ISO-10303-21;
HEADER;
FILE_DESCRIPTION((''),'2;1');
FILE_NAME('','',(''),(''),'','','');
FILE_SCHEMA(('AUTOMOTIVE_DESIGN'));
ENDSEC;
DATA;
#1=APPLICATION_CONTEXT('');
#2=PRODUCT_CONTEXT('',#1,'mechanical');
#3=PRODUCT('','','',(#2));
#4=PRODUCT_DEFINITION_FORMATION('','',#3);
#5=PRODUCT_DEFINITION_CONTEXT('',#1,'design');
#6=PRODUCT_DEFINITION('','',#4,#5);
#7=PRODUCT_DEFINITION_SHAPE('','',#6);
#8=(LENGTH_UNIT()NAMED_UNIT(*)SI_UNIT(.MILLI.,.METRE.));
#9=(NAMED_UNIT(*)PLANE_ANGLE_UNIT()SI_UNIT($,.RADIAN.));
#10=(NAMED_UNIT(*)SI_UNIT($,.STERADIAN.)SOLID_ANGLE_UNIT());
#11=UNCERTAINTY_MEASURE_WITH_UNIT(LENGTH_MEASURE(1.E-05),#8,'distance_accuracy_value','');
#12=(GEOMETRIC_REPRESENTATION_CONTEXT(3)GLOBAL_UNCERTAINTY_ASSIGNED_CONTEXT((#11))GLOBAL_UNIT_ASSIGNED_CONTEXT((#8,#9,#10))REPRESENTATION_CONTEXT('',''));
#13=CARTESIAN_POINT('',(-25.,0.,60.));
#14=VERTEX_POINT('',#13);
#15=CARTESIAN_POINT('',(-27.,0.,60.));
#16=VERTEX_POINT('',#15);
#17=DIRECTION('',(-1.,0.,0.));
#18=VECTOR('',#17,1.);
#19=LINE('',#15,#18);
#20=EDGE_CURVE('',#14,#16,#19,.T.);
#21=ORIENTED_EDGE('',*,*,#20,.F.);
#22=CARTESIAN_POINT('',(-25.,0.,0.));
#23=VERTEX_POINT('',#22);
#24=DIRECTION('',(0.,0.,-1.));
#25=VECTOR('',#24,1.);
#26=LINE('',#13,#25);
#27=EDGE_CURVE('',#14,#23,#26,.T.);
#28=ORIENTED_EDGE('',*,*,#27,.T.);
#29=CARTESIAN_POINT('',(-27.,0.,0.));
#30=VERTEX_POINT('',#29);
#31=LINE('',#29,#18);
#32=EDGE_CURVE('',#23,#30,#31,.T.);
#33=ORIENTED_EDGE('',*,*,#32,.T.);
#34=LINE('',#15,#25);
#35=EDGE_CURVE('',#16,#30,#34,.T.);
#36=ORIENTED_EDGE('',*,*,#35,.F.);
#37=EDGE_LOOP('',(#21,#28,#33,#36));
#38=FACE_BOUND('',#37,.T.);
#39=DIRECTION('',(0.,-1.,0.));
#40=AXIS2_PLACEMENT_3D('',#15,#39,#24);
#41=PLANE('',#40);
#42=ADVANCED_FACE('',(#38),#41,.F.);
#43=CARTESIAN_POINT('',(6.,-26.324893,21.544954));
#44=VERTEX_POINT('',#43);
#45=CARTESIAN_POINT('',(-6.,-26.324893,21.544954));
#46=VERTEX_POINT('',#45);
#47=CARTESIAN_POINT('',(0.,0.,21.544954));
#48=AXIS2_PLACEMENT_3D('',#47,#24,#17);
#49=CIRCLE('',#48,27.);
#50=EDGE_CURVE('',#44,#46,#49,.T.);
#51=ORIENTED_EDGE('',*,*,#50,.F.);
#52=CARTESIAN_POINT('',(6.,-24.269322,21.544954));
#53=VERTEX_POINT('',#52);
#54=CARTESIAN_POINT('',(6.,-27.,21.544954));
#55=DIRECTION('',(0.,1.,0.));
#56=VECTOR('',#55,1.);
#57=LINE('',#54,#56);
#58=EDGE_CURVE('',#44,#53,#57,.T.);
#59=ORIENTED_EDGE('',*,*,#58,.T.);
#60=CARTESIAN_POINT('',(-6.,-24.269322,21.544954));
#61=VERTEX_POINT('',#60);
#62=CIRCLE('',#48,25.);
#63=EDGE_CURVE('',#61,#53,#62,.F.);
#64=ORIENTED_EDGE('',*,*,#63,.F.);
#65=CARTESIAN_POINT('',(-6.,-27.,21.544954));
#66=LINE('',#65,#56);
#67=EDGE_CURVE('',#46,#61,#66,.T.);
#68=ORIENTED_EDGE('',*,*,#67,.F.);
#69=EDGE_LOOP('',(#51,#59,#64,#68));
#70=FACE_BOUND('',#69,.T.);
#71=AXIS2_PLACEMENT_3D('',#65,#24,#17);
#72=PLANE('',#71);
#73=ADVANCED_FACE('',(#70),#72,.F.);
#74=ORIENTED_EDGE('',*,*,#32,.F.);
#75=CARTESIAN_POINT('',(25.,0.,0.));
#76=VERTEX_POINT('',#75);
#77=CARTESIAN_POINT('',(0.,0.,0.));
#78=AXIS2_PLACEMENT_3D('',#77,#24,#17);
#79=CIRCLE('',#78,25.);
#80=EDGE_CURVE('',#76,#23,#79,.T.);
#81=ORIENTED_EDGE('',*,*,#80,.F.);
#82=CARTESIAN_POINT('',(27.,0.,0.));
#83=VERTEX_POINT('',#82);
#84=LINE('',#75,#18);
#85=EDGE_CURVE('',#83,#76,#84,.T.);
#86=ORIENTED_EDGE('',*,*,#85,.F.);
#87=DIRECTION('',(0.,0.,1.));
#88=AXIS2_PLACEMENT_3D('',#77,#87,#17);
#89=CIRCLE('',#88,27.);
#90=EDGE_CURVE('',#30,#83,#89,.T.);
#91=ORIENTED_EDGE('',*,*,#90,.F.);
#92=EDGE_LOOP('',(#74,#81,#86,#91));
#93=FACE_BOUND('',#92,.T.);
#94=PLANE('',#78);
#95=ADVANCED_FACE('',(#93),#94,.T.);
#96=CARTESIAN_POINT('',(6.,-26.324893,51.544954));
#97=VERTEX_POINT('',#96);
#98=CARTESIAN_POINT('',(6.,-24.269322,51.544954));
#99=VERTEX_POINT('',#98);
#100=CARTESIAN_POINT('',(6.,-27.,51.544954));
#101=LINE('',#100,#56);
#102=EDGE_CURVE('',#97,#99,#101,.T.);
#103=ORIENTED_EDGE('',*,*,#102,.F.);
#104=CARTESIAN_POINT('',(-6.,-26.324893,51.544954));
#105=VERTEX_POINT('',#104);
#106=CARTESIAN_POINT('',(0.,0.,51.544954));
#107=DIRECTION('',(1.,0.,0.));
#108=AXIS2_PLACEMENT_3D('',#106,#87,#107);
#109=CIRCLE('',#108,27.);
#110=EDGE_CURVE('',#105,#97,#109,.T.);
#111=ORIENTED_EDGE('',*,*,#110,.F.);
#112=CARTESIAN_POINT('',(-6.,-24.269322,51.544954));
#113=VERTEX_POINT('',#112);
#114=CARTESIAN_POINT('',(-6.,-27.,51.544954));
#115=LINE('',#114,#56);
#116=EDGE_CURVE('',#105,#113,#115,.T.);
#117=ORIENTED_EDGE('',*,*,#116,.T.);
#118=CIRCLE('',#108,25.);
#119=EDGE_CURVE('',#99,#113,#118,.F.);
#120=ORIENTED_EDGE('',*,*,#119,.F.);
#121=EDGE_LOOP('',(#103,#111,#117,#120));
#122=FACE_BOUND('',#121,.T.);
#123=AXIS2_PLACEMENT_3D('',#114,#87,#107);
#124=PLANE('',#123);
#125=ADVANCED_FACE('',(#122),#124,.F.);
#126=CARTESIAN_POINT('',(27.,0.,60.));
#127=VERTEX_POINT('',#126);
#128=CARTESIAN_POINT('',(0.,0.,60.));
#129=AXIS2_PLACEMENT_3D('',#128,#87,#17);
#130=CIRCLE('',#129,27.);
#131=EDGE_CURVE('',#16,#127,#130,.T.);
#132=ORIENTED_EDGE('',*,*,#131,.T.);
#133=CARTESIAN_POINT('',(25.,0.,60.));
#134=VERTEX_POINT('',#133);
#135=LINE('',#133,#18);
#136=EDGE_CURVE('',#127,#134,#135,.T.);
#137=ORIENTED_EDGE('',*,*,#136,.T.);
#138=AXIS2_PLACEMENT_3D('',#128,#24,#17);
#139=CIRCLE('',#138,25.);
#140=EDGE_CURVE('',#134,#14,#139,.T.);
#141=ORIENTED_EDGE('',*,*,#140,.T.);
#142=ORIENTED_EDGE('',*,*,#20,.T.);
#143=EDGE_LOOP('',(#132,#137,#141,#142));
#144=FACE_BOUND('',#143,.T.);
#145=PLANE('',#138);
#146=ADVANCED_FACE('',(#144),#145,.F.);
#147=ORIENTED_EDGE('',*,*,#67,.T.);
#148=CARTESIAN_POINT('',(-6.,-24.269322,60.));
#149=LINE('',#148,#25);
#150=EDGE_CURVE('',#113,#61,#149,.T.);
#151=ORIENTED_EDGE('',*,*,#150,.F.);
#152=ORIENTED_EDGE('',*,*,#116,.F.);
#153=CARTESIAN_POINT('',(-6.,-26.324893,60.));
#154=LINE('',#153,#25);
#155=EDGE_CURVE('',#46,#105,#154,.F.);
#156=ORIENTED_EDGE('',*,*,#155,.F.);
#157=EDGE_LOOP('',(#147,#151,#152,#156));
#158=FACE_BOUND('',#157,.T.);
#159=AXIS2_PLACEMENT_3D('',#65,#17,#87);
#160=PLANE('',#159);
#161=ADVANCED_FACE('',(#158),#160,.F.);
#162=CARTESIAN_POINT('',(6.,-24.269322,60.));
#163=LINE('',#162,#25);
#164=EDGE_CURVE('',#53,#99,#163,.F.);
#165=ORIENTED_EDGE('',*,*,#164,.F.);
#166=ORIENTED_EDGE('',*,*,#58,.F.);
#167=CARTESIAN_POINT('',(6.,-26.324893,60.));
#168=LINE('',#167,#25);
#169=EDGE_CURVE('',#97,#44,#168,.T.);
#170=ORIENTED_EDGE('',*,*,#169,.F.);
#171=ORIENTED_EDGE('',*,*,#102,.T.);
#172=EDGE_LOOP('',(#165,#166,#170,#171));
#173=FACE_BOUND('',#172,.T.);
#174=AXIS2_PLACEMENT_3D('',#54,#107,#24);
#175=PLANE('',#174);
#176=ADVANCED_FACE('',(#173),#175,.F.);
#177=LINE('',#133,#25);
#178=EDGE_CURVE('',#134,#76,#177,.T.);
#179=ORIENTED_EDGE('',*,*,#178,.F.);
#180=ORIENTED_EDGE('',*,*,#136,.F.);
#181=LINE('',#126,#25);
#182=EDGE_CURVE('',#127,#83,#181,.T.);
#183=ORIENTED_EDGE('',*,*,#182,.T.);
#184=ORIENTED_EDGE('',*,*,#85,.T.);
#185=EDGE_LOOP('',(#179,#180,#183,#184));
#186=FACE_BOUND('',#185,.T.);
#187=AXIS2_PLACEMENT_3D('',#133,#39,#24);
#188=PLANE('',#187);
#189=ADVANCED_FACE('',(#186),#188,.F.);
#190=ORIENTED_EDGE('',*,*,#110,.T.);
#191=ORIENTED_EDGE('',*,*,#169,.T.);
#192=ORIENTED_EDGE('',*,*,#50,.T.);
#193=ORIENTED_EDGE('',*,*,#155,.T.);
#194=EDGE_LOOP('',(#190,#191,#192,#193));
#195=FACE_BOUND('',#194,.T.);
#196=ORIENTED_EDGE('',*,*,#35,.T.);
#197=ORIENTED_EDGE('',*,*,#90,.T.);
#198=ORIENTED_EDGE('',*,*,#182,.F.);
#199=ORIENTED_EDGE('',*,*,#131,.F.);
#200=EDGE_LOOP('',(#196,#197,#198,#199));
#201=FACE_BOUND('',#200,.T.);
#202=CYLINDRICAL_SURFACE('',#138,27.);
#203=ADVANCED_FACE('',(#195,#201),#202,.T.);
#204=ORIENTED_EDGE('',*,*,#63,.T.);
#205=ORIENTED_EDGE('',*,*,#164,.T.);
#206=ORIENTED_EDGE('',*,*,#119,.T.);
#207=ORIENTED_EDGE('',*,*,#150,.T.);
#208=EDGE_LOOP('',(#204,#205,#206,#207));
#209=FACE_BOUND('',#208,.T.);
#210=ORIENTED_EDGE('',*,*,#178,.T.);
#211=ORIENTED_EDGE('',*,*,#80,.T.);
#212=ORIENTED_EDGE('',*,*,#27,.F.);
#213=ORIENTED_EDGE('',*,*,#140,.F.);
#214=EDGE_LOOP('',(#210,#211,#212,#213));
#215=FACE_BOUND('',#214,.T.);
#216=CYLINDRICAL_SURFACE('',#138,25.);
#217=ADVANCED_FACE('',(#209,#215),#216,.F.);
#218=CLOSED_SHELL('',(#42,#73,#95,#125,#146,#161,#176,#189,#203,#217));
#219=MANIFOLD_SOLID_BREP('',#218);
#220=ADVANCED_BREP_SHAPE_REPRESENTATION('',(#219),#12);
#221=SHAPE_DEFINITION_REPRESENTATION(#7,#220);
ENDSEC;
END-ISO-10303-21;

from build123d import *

# Parameters (mm, degrees)
BOSS_EXTRU_1_DEPTH      = 60
ESQUISSE2_W             = 12
ESQUISSE2_H             = 30
ENL_V_MAT_EXTRU_1_DEPTH = 72.119617547


with BuildPart() as part:
    # Esquisse1 → Boss.-Extru.1 (new body)
    with BuildSketch(Plane.XY):
        with BuildLine():
            Line((-27, 0), (-25, 0))
            ThreePointArc((-25, 0), (0, -25), (25, 0))
            Line((25, 0), (27, 0))
            ThreePointArc((27, 0), (0, -27), (-27, 0))
        make_face()
    extrude(amount=BOSS_EXTRU_1_DEPTH)

    # Esquisse2 → Enlèv. mat.-Extru.1 (cut, through all)
    with BuildSketch(Plane(origin=(0, 0, 0), x_dir=(1, 0, 0), z_dir=(0, 1, 0))):
        with Locations((0, -36.544954045)):
            Rectangle(ESQUISSE2_W, ESQUISSE2_H)
    extrude(amount=-ENL_V_MAT_EXTRU_1_DEPTH, mode=Mode.SUBTRACT)


solid = part.part
